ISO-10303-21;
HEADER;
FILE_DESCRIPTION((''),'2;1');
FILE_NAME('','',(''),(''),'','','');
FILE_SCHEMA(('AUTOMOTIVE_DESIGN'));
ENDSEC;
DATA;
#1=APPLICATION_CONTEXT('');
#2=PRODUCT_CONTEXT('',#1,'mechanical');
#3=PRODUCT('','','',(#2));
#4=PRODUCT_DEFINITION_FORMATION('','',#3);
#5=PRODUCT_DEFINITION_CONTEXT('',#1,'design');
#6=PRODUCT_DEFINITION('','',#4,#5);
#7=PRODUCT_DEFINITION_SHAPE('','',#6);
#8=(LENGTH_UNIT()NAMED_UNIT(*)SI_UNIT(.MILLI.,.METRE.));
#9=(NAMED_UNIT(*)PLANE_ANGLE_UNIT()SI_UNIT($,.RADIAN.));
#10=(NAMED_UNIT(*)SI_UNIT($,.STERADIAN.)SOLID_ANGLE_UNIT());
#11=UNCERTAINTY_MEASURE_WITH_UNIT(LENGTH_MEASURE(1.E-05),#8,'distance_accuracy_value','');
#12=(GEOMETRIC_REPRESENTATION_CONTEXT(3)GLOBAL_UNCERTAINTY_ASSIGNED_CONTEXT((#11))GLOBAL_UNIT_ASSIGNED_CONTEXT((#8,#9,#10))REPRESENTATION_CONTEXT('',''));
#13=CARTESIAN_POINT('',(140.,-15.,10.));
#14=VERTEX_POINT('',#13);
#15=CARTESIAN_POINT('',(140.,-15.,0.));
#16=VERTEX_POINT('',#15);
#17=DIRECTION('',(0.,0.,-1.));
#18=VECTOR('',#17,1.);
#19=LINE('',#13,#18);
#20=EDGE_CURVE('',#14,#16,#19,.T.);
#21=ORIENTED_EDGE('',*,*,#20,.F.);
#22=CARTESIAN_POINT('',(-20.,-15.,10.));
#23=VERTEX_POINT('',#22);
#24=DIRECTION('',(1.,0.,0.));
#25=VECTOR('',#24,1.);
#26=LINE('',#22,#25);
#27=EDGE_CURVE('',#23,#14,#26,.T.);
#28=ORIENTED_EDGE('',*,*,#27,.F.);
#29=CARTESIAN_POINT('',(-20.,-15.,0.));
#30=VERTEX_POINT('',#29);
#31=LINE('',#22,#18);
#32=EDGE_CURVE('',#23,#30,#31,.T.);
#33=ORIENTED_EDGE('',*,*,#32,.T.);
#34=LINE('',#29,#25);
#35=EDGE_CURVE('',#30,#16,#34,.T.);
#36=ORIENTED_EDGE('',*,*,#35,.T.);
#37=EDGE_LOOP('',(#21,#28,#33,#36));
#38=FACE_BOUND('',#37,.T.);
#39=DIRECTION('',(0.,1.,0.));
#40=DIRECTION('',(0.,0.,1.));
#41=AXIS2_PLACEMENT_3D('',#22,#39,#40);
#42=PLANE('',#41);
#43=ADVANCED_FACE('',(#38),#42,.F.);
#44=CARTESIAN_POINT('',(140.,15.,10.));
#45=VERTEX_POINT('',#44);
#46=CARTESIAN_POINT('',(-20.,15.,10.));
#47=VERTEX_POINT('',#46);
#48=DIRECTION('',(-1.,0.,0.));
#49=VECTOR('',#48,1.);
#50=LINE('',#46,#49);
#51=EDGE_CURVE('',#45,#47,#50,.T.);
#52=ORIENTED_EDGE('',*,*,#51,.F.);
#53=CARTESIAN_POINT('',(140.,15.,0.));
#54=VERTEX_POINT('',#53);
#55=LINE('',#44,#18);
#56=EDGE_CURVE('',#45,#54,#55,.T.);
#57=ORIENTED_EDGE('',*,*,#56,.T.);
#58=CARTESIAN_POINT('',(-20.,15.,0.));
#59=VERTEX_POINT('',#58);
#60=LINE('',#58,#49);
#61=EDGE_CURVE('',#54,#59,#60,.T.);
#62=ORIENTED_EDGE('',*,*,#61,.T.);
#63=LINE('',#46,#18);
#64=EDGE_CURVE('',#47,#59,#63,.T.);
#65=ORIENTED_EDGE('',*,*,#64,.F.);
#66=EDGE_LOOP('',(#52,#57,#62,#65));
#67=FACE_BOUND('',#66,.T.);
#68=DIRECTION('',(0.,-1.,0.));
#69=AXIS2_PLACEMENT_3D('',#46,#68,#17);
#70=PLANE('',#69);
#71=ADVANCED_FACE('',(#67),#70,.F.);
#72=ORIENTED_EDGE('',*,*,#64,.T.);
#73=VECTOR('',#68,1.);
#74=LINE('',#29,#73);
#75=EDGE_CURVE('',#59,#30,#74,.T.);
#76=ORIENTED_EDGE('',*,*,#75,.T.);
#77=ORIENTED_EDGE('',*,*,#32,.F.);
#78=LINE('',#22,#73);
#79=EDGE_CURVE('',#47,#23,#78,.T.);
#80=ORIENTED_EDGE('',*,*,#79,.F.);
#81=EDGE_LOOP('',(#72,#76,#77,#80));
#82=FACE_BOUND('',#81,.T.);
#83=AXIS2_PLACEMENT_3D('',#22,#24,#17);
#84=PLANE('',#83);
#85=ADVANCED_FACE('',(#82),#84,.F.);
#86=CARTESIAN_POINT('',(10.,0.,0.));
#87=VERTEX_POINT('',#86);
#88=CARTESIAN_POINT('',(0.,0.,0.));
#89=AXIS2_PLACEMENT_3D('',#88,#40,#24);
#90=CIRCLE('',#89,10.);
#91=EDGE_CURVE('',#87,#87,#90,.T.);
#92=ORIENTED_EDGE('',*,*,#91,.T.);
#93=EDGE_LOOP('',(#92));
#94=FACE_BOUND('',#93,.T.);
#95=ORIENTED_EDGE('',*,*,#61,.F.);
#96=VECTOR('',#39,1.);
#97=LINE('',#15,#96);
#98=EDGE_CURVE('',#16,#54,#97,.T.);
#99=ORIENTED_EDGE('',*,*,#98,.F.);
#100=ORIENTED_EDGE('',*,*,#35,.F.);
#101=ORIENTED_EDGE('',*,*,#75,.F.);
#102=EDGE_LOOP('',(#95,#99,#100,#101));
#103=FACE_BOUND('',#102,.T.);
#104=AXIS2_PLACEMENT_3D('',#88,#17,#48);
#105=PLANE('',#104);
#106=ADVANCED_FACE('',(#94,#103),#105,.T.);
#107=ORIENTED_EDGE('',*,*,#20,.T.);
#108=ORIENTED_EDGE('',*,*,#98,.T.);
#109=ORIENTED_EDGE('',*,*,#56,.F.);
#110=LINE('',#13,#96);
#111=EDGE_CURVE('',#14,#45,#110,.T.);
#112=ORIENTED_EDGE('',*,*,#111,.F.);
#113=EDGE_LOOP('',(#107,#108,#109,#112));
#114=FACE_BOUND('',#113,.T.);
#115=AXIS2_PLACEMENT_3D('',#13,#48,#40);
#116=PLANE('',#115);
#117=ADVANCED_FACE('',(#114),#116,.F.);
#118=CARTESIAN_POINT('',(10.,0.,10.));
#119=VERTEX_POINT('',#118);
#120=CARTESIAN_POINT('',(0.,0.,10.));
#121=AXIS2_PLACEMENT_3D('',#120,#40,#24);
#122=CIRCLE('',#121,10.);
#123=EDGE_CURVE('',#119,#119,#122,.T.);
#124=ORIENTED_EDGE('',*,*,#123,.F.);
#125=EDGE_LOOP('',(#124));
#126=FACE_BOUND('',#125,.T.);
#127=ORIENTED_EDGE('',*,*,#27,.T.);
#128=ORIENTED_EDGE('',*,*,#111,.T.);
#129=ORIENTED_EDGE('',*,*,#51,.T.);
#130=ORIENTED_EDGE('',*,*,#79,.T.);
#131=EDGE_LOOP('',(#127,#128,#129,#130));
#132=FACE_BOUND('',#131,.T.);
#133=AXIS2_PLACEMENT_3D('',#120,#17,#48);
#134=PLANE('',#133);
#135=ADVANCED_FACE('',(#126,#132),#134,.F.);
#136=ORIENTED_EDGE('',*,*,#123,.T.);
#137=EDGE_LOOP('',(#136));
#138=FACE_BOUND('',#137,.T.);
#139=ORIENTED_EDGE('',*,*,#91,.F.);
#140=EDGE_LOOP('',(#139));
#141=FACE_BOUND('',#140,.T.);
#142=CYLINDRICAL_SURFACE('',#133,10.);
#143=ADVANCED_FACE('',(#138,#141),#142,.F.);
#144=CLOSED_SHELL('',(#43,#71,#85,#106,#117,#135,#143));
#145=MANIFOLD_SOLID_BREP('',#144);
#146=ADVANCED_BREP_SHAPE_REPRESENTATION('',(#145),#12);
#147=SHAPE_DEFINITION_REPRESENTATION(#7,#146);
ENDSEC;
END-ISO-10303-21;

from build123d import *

# Parameters (mm, degrees)
CRANK_ARM_PROFILE_W  = 160
CRANK_ARM_PROFILE_H  = 30
CRANK_ARM_PROFILE_R  = 10
CRANK_ARM_10MM_DEPTH = 10


with BuildPart() as part:
    # Crank_Arm_Profile → Crank_Arm_10mm (new body)
    with BuildSketch(Plane.XY):
        with Locations((60, 0)):
            Rectangle(CRANK_ARM_PROFILE_W, CRANK_ARM_PROFILE_H)
        Circle(CRANK_ARM_PROFILE_R, mode=Mode.SUBTRACT)
    extrude(amount=CRANK_ARM_10MM_DEPTH)


solid = part.part
